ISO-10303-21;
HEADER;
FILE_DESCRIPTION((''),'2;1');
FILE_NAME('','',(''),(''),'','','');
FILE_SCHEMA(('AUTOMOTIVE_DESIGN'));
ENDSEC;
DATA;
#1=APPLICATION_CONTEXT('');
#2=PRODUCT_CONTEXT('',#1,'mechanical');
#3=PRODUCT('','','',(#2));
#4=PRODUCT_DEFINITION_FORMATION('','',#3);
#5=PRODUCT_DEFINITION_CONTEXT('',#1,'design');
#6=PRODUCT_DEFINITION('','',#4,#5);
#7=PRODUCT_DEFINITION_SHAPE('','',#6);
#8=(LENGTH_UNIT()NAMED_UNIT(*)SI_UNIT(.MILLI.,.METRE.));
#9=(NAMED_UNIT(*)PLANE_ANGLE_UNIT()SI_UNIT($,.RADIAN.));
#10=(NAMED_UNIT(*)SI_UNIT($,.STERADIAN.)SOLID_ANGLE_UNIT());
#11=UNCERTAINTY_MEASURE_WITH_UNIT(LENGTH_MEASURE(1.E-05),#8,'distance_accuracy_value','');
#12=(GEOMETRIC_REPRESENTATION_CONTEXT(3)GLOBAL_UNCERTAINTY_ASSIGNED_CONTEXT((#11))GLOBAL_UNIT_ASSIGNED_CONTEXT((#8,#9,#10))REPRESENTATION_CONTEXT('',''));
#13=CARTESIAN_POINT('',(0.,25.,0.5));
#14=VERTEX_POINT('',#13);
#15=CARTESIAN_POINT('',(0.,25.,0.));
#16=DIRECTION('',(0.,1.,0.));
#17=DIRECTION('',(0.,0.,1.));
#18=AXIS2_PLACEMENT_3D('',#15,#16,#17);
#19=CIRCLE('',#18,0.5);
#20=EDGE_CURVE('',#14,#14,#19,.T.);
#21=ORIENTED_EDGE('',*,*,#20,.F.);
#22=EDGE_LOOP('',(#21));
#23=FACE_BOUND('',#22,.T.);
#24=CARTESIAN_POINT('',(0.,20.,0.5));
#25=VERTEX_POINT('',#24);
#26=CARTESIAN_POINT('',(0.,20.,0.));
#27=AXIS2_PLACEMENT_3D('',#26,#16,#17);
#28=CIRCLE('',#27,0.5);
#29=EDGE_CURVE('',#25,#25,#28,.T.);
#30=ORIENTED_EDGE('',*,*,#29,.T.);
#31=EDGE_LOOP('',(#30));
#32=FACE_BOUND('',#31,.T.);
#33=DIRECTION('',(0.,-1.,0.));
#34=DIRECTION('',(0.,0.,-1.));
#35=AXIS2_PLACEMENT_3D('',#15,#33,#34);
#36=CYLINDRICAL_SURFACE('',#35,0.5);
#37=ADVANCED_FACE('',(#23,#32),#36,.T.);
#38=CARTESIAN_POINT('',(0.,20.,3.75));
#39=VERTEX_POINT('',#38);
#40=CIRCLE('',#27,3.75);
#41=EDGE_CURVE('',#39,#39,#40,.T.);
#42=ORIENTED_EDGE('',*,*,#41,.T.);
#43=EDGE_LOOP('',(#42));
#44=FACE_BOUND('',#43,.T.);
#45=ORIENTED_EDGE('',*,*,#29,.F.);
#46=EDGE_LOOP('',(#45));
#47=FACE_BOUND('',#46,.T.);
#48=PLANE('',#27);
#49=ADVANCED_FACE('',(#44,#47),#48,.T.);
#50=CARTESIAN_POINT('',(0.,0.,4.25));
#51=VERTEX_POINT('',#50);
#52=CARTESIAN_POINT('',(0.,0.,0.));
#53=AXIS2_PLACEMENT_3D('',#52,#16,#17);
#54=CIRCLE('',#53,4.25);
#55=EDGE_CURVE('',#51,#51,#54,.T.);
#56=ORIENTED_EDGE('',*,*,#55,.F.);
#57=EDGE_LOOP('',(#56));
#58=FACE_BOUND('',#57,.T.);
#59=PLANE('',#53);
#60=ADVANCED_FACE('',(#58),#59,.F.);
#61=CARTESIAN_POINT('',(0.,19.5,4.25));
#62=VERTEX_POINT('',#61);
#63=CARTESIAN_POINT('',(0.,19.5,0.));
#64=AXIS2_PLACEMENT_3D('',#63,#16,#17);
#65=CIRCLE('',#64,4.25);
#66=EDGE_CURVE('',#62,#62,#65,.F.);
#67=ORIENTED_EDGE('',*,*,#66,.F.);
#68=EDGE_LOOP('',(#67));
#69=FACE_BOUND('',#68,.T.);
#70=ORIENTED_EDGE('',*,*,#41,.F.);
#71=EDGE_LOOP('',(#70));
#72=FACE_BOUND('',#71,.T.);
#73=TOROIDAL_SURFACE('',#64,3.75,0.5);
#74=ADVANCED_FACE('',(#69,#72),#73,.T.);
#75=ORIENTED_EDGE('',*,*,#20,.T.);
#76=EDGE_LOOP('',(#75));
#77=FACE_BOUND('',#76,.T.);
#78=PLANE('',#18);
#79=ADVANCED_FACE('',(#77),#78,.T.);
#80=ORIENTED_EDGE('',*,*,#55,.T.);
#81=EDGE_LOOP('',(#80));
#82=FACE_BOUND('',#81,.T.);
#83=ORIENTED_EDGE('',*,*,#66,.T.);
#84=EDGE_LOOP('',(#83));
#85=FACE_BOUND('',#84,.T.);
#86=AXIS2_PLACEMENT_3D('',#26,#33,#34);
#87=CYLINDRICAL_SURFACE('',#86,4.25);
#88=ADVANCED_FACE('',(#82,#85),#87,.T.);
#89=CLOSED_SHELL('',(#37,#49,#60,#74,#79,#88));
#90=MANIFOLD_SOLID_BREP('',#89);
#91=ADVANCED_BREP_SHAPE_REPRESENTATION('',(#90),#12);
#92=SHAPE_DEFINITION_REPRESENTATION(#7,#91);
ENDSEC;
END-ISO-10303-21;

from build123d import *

# Parameters (mm, degrees)
CROQUIS1_R              = 4.25
SALIENTE_EXTRUIR1_DEPTH = 20
REDONDEO1_R             = 0.5
CROQUIS2_R              = 0.5
SALIENTE_EXTRUIR2_DEPTH = 5


with BuildPart() as part:
    # Croquis1 → Saliente-Extruir1 (new body)
    with BuildSketch(Plane(origin=(0, 0, 0), x_dir=(1, 0, 0), z_dir=(0, 1, 0))):
        with Locations(Location((0, 0, 0), (0, 0, 270))):
            Circle(CROQUIS1_R)
    extrude(amount=SALIENTE_EXTRUIR1_DEPTH)

    # Redondeo1
    redondeo1_edges = [part.edges().sort_by_distance(p)[0] for p in [
        (0, 20, -4.25),
    ]]
    fillet(redondeo1_edges, radius=REDONDEO1_R)

    # Croquis2 → Saliente-Extruir2 (add)
    with BuildSketch(Plane(origin=(0, 20, 0), x_dir=(1, 0, 0), z_dir=(0, 1, 0))):
        with Locations(Location((0, 0, 0), (0, 0, 270))):
            Circle(CROQUIS2_R)
    extrude(amount=SALIENTE_EXTRUIR2_DEPTH)


solid = part.part
